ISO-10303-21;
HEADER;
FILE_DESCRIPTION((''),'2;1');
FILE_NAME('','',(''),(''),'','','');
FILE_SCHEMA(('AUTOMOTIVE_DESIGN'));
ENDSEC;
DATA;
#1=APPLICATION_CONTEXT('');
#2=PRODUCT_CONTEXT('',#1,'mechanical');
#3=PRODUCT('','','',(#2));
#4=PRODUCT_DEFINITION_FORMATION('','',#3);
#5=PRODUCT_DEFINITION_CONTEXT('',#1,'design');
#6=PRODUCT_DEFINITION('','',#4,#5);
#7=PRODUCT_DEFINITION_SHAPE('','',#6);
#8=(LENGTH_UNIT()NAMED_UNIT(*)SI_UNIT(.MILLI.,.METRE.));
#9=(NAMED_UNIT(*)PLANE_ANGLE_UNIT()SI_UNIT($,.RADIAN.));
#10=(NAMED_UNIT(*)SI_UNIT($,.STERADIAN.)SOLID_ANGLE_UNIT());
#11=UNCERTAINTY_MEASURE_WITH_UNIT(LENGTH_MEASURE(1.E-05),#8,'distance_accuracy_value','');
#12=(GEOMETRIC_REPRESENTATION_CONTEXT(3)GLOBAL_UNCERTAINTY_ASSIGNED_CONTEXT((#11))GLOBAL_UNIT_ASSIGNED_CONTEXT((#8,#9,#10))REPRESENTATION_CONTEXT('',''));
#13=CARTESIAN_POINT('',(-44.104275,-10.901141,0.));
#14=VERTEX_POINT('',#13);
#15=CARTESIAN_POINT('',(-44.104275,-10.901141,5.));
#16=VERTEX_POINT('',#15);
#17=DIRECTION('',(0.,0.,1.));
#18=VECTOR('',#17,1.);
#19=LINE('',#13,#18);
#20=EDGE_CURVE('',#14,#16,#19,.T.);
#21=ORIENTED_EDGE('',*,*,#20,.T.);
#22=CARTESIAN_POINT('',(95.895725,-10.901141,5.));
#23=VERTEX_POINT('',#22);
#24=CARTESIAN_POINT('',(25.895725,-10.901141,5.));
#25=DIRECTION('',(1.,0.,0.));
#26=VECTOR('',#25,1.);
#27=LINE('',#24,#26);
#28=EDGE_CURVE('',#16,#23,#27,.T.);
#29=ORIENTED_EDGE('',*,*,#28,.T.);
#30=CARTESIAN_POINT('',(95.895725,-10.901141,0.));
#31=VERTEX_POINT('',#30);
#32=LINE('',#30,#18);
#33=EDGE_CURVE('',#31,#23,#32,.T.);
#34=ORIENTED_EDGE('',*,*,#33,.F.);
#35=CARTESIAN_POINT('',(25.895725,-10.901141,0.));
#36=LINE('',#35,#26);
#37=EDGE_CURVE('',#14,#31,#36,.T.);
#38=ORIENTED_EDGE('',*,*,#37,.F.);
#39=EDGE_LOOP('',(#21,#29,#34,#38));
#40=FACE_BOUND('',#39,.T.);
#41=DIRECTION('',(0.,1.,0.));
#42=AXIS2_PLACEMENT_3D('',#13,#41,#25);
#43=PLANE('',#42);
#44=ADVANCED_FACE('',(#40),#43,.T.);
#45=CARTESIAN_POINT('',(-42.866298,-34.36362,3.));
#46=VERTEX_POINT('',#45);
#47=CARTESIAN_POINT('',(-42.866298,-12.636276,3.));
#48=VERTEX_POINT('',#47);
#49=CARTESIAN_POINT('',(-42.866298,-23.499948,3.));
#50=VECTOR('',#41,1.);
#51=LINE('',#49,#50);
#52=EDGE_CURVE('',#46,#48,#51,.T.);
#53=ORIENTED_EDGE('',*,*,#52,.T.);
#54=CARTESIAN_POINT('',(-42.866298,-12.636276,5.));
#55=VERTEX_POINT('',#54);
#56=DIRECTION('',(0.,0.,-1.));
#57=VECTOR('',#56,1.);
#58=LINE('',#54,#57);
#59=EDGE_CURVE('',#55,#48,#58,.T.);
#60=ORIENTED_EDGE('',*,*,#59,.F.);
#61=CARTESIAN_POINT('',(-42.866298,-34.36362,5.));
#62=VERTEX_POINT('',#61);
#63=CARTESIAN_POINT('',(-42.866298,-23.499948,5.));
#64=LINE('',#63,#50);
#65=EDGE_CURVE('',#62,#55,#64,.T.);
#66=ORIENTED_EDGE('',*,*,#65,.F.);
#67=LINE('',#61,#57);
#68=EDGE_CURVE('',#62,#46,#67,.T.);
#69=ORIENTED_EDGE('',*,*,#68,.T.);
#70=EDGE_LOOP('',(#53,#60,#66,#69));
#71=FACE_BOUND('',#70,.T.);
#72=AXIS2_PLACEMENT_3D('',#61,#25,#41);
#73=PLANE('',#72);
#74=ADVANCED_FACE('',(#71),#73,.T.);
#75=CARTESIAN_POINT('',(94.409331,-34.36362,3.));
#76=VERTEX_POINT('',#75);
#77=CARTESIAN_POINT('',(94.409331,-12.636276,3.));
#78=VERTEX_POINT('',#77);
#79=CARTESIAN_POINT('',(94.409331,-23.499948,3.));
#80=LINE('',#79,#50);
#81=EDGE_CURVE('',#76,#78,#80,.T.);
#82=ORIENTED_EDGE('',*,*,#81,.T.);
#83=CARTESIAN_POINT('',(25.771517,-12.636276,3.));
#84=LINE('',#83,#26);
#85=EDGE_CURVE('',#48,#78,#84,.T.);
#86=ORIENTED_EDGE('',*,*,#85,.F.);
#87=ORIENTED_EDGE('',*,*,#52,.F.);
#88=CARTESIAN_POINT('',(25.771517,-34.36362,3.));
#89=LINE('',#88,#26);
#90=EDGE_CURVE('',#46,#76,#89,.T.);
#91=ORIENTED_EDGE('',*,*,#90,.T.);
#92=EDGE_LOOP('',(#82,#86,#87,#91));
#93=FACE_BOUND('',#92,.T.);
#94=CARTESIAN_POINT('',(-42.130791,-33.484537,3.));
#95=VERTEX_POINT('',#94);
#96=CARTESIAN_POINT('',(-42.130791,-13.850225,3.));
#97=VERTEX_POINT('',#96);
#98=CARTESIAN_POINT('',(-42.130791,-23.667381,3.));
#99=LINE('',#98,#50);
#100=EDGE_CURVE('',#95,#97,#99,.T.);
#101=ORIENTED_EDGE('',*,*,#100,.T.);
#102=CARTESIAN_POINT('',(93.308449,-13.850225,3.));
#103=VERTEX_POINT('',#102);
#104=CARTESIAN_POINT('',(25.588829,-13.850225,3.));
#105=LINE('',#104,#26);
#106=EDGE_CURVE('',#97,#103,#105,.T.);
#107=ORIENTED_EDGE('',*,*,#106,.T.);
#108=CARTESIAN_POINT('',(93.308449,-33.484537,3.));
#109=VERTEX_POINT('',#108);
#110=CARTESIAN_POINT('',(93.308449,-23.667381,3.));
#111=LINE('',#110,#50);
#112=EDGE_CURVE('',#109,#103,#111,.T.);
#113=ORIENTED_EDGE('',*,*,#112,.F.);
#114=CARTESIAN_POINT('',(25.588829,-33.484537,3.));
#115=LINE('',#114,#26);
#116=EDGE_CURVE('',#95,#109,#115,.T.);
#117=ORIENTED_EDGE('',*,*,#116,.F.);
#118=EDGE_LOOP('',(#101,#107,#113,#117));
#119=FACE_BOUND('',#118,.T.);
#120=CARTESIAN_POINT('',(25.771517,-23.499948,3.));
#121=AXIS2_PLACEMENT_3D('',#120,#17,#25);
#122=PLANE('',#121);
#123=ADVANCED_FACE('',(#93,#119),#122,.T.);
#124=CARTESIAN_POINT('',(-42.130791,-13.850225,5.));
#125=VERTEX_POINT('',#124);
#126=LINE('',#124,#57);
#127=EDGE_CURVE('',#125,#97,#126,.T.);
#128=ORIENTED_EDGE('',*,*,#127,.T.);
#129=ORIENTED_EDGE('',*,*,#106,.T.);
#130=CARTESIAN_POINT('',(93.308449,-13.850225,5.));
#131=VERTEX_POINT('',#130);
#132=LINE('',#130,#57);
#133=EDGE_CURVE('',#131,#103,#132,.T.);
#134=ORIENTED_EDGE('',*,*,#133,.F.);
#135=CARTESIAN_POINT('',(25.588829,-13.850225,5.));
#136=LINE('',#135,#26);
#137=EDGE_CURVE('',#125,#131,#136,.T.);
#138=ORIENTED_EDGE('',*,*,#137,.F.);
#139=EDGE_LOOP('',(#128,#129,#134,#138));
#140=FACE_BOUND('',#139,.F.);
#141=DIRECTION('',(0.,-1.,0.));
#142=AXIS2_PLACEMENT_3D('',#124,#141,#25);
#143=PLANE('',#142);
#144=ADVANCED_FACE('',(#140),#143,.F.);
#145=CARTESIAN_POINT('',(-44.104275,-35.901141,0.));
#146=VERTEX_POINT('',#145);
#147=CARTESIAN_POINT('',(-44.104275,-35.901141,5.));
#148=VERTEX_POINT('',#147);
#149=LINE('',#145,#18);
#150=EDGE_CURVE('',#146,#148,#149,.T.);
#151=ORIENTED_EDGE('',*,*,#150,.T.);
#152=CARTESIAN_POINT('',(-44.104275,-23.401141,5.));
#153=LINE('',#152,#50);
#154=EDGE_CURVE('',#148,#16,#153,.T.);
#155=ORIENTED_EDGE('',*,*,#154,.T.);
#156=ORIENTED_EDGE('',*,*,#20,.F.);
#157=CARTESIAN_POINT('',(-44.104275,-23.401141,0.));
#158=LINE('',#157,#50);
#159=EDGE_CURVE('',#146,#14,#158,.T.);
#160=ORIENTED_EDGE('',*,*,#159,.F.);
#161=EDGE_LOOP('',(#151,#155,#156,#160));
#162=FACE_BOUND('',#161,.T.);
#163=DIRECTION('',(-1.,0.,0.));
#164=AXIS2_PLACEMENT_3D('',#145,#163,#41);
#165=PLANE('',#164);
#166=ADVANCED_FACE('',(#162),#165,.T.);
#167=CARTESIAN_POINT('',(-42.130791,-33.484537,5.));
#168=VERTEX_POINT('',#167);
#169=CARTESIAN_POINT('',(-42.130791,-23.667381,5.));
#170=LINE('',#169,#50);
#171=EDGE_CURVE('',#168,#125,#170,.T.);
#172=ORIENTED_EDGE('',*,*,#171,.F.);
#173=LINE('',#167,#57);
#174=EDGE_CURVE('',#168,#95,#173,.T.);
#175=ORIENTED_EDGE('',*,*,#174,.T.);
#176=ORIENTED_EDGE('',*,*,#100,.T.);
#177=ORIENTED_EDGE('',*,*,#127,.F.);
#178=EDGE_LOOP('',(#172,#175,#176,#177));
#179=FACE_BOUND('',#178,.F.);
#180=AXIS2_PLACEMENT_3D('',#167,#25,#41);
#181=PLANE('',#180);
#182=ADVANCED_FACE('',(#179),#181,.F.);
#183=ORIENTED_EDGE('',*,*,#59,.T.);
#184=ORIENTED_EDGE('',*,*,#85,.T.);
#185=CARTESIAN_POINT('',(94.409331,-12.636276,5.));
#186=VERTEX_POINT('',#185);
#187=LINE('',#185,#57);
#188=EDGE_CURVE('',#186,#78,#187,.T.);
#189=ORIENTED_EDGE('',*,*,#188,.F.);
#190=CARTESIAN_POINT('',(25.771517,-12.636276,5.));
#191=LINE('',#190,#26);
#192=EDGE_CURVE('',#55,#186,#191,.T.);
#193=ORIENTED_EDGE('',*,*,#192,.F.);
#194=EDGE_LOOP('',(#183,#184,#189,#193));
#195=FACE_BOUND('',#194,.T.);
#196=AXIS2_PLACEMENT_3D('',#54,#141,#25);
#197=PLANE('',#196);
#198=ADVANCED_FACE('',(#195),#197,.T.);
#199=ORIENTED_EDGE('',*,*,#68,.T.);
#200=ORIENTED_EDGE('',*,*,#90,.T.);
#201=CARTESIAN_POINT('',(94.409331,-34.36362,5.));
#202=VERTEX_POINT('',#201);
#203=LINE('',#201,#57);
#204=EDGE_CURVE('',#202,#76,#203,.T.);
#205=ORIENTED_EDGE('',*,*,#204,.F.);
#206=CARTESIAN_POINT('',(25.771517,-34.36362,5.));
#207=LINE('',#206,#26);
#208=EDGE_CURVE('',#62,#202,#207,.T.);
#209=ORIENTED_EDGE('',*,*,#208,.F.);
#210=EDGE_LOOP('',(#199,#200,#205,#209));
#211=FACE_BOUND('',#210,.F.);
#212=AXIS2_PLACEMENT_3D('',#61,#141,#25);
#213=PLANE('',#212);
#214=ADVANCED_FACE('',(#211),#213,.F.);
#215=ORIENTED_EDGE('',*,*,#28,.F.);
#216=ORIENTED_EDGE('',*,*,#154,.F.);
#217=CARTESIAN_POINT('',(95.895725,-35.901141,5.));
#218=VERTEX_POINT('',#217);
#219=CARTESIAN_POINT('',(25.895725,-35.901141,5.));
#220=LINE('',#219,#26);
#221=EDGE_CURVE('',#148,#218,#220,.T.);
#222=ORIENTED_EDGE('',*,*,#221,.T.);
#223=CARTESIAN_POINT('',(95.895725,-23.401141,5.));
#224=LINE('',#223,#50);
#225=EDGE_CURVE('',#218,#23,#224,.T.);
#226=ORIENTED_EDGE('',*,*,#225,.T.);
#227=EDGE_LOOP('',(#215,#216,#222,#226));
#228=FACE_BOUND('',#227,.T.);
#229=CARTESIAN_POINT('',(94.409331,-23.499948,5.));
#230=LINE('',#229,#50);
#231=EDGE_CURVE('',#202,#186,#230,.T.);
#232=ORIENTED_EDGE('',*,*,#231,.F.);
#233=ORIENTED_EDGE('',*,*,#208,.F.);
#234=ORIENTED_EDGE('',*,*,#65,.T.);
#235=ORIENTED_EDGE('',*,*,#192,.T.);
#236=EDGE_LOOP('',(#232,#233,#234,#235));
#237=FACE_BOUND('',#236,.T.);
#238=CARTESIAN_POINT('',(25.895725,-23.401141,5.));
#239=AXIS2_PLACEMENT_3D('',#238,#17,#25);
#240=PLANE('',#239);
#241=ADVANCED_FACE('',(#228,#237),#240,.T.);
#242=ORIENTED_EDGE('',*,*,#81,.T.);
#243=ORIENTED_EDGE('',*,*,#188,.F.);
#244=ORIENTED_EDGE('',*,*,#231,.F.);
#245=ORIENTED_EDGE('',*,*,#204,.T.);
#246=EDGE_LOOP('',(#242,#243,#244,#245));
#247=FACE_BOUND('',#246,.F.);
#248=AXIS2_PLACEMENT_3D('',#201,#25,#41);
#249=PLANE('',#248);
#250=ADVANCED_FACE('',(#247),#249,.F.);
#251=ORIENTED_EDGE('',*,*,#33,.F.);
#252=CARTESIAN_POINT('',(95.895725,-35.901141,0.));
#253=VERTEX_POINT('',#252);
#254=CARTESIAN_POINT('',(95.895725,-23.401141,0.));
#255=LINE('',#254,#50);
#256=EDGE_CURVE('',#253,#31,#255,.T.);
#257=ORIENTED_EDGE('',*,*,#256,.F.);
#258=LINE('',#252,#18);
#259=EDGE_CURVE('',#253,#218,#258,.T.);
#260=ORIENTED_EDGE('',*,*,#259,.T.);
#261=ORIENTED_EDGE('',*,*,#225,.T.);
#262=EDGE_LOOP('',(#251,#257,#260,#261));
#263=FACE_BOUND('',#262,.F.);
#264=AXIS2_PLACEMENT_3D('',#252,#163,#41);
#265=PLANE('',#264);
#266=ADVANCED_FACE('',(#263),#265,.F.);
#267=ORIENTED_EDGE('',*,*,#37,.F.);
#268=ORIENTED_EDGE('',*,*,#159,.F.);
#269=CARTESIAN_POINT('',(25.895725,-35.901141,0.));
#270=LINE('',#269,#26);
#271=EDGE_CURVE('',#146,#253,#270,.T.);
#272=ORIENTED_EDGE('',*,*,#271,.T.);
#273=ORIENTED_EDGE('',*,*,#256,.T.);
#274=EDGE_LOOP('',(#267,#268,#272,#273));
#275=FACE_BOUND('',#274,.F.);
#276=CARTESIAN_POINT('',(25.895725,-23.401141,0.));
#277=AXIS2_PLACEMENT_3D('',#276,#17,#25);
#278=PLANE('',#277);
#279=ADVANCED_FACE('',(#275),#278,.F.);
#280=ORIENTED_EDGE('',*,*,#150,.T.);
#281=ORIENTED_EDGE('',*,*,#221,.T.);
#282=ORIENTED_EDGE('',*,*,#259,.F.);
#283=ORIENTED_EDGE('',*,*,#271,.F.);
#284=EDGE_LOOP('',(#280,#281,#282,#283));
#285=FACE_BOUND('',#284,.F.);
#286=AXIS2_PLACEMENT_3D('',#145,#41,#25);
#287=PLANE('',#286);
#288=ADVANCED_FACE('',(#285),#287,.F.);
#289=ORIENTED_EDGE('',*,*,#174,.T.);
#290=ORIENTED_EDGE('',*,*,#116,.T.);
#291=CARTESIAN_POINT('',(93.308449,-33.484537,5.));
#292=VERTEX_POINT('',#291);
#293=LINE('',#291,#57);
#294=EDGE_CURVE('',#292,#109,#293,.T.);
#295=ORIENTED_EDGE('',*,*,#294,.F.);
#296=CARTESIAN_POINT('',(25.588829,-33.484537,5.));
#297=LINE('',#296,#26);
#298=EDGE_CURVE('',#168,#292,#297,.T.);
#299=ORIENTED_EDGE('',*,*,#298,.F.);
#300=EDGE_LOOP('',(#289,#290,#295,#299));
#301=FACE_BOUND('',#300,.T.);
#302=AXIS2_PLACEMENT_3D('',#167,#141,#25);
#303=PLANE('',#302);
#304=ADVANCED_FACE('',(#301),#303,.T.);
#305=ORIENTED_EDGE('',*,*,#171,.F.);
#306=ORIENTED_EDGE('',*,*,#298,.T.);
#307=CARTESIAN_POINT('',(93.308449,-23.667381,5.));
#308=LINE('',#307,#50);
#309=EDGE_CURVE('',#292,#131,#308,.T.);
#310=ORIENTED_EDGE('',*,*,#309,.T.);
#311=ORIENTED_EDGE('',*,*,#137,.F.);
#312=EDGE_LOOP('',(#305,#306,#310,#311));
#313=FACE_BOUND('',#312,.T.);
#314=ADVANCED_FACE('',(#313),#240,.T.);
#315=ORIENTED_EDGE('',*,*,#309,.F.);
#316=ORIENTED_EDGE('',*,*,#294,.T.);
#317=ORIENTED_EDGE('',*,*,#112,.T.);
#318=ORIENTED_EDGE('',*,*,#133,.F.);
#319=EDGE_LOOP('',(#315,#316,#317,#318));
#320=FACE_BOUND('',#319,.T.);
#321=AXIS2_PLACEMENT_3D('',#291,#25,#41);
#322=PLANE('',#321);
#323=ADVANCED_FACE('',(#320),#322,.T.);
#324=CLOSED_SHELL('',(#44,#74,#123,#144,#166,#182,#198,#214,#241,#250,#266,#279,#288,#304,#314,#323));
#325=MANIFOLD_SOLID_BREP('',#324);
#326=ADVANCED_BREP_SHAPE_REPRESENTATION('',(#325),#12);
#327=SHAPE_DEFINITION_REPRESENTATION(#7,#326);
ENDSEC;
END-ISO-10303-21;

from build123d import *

# Parameters (mm, degrees)
F0_W     = 140
F0_H     = 25
F1_DEPTH = 5
F2_W     = 137.275629
F2_H     = 21.727344
F4_DEPTH = 2
F3_W     = 137.275629
F3_H     = 21.727344
F3_W_2   = 135.43924
F3_H_2   = 19.634312
F5_DEPTH = 2


with BuildPart() as f1:
    # F0 (on Top) → F1 (new body)
    with BuildSketch(Plane.XY):
        with Locations((25.895725, -23.401141)):
            Rectangle(F0_W, F0_H)
    extrude(amount=F1_DEPTH)

    # F2 (on face) → F4 (cut)
    with BuildSketch(Plane.XY.offset(5)):
        with Locations((25.771517, -23.499948)):
            Rectangle(F2_W, F2_H)
    extrude(amount=F4_DEPTH, mode=Mode.SUBTRACT)

    # F3 (on face) → F5 (cut)
    with BuildSketch(Plane.XY.offset(5)):
        with Locations((25.771517, -23.499948)):
            Rectangle(F3_W, F3_H)
        with Locations((25.588829, -23.667381)):
            Rectangle(F3_W_2, F3_H_2, mode=Mode.SUBTRACT)
    extrude(amount=-F5_DEPTH, mode=Mode.SUBTRACT)


solid = f1.part
